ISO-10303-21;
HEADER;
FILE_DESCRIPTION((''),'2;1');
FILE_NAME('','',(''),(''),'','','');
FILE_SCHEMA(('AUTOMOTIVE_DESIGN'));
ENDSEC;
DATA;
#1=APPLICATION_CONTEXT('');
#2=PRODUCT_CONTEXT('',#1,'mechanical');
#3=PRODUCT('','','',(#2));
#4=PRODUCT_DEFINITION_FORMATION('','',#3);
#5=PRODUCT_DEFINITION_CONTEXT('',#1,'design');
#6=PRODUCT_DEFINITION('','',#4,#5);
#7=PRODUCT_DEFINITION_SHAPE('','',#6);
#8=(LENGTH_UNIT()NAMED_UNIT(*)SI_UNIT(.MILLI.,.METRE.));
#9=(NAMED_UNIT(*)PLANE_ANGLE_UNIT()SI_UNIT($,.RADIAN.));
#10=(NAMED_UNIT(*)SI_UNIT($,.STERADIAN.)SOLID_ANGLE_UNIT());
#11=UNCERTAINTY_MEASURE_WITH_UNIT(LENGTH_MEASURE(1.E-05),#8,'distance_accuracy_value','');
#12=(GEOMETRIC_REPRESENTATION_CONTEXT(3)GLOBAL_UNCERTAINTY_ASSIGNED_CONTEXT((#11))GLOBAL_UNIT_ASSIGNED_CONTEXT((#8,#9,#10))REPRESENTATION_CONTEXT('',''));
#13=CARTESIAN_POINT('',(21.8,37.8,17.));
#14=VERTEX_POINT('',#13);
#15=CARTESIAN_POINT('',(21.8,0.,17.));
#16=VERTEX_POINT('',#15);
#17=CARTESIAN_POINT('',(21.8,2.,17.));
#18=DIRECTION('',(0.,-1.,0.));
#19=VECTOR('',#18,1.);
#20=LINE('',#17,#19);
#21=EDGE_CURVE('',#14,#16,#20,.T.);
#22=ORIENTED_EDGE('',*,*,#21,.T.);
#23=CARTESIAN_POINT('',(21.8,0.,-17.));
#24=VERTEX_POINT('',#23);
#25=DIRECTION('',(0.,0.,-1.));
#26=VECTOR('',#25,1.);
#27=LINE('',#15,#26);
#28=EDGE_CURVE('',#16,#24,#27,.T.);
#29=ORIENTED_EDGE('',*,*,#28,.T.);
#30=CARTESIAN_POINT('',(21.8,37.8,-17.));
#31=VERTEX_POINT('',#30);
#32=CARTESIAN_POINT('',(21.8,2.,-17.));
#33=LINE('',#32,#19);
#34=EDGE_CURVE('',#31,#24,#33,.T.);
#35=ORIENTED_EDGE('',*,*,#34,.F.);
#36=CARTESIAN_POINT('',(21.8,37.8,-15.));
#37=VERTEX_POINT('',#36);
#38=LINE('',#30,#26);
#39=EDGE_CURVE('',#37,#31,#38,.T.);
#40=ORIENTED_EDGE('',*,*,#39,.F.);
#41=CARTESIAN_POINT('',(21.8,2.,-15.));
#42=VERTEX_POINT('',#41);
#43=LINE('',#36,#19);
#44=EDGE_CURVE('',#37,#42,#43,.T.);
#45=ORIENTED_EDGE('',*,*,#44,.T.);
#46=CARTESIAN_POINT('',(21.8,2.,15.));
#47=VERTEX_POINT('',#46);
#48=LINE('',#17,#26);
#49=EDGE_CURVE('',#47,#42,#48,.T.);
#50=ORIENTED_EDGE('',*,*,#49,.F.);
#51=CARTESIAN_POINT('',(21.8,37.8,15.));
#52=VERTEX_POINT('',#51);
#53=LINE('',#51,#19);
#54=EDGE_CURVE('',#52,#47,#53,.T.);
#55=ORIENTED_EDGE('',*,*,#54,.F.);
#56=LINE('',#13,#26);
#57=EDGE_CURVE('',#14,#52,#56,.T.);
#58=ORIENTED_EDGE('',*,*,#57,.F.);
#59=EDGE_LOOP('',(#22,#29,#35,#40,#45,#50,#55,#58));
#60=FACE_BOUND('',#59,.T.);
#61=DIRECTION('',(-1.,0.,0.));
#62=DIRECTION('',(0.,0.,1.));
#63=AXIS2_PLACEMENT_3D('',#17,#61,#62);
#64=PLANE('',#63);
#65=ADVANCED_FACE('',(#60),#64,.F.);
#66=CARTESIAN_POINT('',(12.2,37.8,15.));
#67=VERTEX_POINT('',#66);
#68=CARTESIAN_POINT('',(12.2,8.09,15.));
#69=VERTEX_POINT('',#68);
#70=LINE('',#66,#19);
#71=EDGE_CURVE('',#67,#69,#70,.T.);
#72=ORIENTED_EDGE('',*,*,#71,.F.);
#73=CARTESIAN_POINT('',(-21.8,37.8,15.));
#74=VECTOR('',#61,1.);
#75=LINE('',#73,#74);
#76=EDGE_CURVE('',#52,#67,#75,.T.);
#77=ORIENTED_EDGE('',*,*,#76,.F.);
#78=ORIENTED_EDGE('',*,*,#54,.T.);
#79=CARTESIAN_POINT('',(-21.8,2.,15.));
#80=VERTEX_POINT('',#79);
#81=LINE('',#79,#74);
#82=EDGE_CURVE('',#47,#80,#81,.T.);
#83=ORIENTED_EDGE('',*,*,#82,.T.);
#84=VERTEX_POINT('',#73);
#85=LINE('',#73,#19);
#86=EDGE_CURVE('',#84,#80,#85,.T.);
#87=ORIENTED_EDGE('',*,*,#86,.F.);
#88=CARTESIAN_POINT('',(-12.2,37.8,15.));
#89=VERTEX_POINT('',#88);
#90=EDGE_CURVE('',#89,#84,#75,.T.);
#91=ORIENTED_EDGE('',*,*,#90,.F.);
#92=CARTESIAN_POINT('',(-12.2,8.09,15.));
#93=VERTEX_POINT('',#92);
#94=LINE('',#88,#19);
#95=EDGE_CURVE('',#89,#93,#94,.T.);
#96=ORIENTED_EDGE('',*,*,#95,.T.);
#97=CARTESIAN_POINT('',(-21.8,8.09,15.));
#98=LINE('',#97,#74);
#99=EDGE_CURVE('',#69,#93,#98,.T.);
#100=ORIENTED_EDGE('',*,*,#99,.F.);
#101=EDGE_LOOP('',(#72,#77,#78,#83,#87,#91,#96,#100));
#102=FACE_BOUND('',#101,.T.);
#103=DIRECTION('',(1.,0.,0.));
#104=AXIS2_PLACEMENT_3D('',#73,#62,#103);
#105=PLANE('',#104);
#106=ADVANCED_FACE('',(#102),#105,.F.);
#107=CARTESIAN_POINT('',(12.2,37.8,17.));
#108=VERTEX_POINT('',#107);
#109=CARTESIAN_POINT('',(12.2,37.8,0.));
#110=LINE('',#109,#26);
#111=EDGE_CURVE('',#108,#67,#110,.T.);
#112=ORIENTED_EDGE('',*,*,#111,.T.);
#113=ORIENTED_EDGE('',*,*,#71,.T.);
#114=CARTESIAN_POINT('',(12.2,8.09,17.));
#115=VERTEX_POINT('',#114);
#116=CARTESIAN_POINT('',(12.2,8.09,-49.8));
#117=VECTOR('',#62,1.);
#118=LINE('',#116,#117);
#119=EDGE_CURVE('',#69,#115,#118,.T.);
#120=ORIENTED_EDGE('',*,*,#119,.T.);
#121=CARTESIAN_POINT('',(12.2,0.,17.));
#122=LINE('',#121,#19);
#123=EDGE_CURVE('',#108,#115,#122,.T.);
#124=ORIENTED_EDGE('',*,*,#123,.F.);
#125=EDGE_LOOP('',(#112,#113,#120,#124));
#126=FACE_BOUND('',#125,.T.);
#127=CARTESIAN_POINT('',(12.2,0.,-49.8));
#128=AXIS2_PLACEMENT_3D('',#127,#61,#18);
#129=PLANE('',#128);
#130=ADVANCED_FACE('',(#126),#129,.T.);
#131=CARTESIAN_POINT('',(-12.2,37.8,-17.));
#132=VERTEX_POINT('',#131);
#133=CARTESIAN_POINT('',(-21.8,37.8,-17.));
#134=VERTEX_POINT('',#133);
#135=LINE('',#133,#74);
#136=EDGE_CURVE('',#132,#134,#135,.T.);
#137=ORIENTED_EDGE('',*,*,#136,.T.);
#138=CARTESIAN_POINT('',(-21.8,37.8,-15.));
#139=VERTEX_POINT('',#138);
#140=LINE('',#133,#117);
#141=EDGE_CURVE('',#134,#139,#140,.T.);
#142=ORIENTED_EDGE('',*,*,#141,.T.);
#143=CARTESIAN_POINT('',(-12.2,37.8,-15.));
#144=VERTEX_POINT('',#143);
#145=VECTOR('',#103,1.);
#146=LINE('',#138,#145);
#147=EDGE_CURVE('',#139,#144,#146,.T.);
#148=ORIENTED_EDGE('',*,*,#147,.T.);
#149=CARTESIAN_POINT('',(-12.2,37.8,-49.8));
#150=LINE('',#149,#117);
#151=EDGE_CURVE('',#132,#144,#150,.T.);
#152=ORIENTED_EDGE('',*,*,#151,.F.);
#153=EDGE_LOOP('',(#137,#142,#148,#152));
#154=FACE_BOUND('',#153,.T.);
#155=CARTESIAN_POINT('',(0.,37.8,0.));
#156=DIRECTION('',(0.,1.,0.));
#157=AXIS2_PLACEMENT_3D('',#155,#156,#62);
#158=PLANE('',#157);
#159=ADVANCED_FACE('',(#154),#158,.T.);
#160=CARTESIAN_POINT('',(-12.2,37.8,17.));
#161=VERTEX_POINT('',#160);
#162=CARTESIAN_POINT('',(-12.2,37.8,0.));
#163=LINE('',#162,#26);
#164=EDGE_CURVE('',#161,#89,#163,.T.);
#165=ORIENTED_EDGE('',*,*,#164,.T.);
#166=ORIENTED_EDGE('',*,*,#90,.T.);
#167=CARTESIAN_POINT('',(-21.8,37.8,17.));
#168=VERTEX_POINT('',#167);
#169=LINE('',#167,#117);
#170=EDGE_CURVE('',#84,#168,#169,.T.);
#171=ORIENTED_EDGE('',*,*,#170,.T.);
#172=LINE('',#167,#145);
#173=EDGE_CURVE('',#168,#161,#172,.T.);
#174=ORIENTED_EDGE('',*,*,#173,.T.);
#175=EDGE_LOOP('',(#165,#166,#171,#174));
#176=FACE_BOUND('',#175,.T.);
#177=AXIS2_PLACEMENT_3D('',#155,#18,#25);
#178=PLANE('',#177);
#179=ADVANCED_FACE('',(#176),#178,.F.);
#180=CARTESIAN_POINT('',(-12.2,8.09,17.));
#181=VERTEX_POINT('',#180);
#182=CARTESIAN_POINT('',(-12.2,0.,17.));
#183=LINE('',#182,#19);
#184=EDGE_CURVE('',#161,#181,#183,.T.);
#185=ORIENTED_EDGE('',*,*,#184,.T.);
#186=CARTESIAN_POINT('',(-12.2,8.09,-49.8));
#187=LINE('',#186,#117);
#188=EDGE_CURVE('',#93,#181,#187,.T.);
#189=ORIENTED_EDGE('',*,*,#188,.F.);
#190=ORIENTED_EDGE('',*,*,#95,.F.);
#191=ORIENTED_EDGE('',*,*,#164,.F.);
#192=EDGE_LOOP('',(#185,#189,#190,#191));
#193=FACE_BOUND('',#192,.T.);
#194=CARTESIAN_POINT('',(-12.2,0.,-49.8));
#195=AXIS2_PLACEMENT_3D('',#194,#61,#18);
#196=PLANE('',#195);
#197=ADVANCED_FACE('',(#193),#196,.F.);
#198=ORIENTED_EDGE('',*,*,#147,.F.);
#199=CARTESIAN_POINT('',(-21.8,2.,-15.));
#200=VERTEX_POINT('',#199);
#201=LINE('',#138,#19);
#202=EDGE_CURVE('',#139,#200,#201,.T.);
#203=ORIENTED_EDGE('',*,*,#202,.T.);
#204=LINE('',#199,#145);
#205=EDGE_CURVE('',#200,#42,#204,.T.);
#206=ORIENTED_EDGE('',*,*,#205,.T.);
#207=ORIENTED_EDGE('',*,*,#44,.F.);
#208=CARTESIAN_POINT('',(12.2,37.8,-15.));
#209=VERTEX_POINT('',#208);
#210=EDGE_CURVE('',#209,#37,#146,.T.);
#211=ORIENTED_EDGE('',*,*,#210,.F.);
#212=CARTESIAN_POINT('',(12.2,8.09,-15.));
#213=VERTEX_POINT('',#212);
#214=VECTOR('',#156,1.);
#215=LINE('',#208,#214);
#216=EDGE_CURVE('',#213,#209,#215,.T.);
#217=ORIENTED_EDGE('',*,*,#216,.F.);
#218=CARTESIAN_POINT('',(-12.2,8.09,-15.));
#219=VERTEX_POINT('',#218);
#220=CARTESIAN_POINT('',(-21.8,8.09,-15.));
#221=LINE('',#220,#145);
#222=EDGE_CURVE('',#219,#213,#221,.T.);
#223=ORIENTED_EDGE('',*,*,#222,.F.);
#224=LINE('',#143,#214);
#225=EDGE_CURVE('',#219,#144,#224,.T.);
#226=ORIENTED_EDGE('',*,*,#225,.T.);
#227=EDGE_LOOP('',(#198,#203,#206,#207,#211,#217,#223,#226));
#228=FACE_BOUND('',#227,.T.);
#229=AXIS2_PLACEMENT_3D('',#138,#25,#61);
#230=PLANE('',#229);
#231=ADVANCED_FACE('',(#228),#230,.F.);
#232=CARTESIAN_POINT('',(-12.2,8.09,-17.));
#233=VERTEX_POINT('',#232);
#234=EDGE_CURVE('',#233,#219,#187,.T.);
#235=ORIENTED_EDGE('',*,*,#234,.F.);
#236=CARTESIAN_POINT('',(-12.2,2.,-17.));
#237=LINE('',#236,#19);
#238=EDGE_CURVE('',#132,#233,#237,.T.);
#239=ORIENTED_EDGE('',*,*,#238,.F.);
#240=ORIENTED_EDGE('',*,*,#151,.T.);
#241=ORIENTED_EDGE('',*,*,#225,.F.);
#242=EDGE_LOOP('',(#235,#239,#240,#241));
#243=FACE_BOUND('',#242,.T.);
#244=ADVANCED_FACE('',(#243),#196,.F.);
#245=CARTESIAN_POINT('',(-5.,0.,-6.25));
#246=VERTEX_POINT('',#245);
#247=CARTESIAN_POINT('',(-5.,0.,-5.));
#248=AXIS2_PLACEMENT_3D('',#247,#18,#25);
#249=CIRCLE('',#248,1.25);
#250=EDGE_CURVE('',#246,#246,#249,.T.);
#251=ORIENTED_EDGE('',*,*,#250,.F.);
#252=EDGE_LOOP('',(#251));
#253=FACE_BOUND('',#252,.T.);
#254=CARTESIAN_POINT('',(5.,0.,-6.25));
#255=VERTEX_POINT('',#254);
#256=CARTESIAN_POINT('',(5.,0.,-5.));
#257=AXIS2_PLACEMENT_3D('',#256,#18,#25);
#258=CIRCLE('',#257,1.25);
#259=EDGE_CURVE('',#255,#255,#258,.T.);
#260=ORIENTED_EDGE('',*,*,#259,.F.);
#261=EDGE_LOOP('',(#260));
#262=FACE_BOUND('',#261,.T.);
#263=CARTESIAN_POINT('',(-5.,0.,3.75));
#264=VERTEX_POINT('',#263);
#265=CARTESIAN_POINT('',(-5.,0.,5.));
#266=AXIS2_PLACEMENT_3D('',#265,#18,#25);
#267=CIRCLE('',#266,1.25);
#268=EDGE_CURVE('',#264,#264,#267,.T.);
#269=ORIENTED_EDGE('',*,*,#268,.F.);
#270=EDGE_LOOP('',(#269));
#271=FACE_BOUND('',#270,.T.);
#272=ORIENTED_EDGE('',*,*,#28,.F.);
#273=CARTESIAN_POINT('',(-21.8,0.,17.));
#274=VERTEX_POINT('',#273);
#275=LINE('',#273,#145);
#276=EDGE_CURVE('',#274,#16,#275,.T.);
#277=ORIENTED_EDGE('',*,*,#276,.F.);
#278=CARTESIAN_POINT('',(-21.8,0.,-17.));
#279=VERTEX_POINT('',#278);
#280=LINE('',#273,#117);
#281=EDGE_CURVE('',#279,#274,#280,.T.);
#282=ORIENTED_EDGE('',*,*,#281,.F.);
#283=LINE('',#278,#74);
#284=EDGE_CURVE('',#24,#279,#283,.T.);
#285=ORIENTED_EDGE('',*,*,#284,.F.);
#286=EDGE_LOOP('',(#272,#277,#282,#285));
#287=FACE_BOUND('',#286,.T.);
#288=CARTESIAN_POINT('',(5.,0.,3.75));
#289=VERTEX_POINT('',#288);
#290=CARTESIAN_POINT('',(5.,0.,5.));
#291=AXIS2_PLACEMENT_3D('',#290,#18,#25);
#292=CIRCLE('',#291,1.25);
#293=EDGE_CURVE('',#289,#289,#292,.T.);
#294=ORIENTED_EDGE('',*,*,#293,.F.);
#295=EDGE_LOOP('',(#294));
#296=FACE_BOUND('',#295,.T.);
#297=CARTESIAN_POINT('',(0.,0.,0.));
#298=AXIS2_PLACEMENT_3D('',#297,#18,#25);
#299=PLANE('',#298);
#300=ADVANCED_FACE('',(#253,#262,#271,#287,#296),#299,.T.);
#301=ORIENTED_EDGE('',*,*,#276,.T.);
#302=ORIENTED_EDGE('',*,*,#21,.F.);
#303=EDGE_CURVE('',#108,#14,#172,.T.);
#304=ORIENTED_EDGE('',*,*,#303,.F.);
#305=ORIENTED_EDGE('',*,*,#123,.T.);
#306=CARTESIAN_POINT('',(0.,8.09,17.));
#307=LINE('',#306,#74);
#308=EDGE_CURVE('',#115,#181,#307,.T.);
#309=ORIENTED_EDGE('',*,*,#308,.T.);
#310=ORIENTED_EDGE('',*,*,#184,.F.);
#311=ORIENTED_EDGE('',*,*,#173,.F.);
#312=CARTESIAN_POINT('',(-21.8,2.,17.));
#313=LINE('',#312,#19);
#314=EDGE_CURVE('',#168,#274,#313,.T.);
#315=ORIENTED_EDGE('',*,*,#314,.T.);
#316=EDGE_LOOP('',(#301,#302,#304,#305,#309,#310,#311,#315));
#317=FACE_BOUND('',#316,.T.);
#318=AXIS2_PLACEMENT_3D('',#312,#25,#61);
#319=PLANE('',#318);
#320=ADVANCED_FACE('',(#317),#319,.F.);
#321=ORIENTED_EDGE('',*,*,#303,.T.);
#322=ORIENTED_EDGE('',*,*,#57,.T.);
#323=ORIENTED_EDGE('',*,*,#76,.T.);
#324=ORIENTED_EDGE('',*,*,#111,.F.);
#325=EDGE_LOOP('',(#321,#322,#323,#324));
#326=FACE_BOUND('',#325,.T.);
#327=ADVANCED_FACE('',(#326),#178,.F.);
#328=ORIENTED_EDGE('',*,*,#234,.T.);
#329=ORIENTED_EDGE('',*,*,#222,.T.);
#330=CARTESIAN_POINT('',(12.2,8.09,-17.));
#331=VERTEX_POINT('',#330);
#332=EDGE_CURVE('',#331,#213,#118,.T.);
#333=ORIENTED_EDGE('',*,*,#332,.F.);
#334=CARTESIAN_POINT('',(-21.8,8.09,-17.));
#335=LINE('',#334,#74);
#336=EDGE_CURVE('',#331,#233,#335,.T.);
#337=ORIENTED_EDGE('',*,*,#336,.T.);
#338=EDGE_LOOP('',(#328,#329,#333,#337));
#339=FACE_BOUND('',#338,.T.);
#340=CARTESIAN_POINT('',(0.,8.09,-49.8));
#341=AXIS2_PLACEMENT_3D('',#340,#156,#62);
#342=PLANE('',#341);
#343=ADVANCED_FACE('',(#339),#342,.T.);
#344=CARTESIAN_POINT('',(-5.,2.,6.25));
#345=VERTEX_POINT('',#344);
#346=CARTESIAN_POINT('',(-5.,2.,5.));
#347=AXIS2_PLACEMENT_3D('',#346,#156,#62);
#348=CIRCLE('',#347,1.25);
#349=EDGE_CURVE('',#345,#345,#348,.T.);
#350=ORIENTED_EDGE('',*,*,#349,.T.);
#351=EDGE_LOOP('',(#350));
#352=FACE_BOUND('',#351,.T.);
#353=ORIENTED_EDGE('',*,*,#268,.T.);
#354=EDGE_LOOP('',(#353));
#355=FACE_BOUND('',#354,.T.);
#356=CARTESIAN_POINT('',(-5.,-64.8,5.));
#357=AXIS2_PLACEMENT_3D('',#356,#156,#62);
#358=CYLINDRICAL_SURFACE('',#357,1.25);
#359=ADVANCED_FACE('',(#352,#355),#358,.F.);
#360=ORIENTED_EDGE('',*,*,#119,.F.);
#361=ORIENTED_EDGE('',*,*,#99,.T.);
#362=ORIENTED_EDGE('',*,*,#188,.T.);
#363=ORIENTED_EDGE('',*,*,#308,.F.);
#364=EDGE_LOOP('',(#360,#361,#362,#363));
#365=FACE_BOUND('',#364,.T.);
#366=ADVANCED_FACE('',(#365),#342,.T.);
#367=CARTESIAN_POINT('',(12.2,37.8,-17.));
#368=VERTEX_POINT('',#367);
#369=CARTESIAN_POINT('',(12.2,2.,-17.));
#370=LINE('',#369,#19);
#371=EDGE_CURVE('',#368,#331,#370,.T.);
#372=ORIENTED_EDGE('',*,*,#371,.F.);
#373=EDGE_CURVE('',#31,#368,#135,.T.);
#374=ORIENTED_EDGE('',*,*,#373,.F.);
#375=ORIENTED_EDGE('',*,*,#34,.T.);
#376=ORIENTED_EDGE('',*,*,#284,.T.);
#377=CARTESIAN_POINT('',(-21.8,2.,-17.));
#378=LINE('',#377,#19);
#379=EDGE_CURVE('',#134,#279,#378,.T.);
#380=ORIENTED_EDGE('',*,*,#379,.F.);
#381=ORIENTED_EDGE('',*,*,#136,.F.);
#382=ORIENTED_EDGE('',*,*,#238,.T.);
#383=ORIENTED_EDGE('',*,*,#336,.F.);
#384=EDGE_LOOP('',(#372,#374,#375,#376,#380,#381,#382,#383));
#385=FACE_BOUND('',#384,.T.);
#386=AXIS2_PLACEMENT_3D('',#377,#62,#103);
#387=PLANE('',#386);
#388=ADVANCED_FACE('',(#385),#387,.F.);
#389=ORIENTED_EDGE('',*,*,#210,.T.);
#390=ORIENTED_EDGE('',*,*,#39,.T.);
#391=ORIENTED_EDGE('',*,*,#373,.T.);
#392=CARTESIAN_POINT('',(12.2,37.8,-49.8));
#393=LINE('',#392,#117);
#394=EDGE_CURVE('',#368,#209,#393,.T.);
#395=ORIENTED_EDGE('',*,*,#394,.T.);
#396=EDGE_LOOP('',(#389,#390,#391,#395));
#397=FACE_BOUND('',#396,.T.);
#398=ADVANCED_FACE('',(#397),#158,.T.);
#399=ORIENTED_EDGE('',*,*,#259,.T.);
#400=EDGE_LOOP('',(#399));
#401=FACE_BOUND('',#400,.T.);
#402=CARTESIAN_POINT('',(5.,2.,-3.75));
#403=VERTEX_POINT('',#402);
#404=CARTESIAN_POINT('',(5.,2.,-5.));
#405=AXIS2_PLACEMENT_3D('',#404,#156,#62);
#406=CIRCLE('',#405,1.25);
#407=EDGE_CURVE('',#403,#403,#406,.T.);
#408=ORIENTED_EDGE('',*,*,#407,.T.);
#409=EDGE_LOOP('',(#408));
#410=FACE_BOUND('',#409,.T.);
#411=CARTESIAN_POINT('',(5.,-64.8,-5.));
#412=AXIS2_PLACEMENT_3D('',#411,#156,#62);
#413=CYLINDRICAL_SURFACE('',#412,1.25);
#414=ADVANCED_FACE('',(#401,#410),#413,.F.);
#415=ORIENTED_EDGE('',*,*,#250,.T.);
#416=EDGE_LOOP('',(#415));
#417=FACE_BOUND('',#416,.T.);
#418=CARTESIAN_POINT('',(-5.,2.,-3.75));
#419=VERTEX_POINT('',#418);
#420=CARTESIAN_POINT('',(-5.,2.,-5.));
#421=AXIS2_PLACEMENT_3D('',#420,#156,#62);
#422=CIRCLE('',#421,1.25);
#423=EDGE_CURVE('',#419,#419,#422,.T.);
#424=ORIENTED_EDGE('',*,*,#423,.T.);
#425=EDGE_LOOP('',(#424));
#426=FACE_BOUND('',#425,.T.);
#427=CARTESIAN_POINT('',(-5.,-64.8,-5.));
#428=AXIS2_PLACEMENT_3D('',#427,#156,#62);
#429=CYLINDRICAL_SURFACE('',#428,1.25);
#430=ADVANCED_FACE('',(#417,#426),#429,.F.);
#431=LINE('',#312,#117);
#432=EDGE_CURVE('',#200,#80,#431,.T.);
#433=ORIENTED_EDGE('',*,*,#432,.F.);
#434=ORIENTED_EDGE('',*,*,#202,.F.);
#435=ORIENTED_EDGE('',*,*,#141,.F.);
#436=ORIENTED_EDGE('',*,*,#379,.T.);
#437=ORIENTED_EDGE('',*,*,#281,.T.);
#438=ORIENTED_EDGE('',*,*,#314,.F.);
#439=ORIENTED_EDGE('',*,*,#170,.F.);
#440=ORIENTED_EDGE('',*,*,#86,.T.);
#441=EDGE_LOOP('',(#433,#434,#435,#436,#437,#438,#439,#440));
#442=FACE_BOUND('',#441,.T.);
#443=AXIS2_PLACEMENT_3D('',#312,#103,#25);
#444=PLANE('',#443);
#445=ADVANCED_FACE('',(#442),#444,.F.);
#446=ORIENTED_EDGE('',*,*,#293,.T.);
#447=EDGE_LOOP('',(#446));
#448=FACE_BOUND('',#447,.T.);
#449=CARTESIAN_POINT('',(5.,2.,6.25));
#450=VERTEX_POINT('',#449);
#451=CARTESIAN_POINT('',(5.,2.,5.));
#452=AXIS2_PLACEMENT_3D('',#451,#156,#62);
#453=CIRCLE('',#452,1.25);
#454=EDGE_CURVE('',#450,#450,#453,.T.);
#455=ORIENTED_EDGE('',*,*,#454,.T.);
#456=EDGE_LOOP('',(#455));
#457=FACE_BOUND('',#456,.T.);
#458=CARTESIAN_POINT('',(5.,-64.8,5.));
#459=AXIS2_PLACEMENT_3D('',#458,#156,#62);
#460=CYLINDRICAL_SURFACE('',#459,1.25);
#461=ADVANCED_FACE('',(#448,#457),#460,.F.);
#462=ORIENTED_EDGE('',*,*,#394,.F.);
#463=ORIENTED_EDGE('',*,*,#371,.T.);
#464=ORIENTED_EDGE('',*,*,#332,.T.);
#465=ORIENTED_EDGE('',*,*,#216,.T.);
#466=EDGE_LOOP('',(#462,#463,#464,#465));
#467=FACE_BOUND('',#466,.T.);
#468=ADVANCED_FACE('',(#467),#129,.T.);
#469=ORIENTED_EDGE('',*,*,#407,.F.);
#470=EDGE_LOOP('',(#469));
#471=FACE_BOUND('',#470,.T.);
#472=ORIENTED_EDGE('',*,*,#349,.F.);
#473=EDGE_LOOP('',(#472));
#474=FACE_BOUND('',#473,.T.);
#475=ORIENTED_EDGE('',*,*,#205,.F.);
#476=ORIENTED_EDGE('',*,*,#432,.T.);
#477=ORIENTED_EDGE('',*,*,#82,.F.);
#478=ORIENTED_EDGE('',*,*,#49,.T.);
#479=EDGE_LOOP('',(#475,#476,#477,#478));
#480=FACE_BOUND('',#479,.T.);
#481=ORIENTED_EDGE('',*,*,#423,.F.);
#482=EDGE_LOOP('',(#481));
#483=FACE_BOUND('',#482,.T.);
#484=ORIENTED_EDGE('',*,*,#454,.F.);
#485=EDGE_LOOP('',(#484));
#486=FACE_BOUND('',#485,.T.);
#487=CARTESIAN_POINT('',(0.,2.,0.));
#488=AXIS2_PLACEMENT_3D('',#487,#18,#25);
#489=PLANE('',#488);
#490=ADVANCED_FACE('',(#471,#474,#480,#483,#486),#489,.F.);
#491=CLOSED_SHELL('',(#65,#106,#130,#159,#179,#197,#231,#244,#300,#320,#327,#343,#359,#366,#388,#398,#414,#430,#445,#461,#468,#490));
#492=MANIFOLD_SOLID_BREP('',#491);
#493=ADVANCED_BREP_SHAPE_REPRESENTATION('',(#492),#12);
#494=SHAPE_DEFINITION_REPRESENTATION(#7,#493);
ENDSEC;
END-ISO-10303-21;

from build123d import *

# Parameters (mm, degrees)
SKETCH1_W           = 43.6
SKETCH1_H           = 34
BOSS_EXTRUDE1_DEPTH = 2
SKETCH2_W           = 43.6
SKETCH2_H           = 2
BOSS_EXTRUDE2_DEPTH = 35.8
SKETCH3_W           = 12.2
SKETCH3_H           = 29.71
CUT_EXTRUDE2_DEPTH  = 66.8
CUT_EXTRUDE3_DEPTH  = 66.8


with BuildPart() as part:
    # Sketch1 → Boss-Extrude1 (new body)
    with BuildSketch(Plane(origin=(0, 0, 0), x_dir=(1, 0, 0), z_dir=(0, 1, 0))):
        Rectangle(SKETCH1_W, SKETCH1_H)
    extrude(amount=BOSS_EXTRUDE1_DEPTH)

    # Sketch2 → Boss-Extrude2 (add)
    with BuildSketch(Plane(origin=(0, 2, 0), x_dir=(1, 0, 0), z_dir=(0, 1, 0))):
        with Locations((0, 16)):
            Rectangle(SKETCH2_W, SKETCH2_H)
        with Locations((0, -16)):
            Rectangle(SKETCH2_W, SKETCH2_H)
    extrude(amount=BOSS_EXTRUDE2_DEPTH)

    # Sketch3 → Cut-Extrude2 (cut)
    with BuildSketch(Plane.XY.offset(17)):
        with Locations((-6.1, 22.945)):
            Rectangle(SKETCH3_W, SKETCH3_H)
        with Locations((6.1, 22.945)):
            Rectangle(SKETCH3_W, SKETCH3_H)
    extrude(amount=-CUT_EXTRUDE2_DEPTH, mode=Mode.SUBTRACT)

    # Sketch4 → Cut-Extrude3 (cut)
    with BuildSketch(Plane(origin=(0, 2, 0), x_dir=(1, 0, 0), z_dir=(0, 1, 0))):
        with BuildLine():
            ThreePointArc((-3.75, 5), (-5.883883476, 5.883883476), (-5, 3.75))
            Line((-5, 3.75), (-5, 5))
            Line((-5, 5), (-3.75, 5))
        make_face()
        with BuildLine():
            Line((-5, 5), (-5, 3.75))
            ThreePointArc((-5, 3.75), (-4.116116524, 4.116116524), (-3.75, 5))
            Line((-3.75, 5), (-5, 5))
        make_face()
        with BuildLine():
            ThreePointArc((3.75, 5), (4.116116524, 4.116116524), (5, 3.75))
            Line((5, 3.75), (5, 5))
            Line((5, 5), (3.75, 5))
        make_face()
        with BuildLine():
            Line((5, 5), (5, 3.75))
            ThreePointArc((5, 3.75), (5.883883476, 4.116116524), (6.25, 5))
            ThreePointArc((6.25, 5), (5, 6.25), (3.75, 5))
            Line((3.75, 5), (5, 5))
        make_face()
        with BuildLine():
            Line((-5, -3.75), (-5, -5))
            Line((-5, -5), (-3.75, -5))
            ThreePointArc((-3.75, -5), (-4.116116524, -4.116116524), (-5, -3.75))
        make_face()
        with BuildLine():
            Line((-3.75, -5), (-5, -5))
            Line((-5, -5), (-5, -3.75))
            ThreePointArc((-5, -3.75), (-5.883883476, -5.883883476), (-3.75, -5))
        make_face()
        with BuildLine():
            ThreePointArc((5, -3.75), (4.116116524, -4.116116524), (3.75, -5))
            Line((3.75, -5), (5, -5))
            Line((5, -5), (5, -3.75))
        make_face()
        with BuildLine():
            Line((5, -5), (3.75, -5))
            ThreePointArc((3.75, -5), (5, -6.25), (6.25, -5))
            ThreePointArc((6.25, -5), (5.883883476, -4.116116524), (5, -3.75))
            Line((5, -3.75), (5, -5))
        make_face()
    extrude(amount=-CUT_EXTRUDE3_DEPTH, mode=Mode.SUBTRACT)


solid = part.part
